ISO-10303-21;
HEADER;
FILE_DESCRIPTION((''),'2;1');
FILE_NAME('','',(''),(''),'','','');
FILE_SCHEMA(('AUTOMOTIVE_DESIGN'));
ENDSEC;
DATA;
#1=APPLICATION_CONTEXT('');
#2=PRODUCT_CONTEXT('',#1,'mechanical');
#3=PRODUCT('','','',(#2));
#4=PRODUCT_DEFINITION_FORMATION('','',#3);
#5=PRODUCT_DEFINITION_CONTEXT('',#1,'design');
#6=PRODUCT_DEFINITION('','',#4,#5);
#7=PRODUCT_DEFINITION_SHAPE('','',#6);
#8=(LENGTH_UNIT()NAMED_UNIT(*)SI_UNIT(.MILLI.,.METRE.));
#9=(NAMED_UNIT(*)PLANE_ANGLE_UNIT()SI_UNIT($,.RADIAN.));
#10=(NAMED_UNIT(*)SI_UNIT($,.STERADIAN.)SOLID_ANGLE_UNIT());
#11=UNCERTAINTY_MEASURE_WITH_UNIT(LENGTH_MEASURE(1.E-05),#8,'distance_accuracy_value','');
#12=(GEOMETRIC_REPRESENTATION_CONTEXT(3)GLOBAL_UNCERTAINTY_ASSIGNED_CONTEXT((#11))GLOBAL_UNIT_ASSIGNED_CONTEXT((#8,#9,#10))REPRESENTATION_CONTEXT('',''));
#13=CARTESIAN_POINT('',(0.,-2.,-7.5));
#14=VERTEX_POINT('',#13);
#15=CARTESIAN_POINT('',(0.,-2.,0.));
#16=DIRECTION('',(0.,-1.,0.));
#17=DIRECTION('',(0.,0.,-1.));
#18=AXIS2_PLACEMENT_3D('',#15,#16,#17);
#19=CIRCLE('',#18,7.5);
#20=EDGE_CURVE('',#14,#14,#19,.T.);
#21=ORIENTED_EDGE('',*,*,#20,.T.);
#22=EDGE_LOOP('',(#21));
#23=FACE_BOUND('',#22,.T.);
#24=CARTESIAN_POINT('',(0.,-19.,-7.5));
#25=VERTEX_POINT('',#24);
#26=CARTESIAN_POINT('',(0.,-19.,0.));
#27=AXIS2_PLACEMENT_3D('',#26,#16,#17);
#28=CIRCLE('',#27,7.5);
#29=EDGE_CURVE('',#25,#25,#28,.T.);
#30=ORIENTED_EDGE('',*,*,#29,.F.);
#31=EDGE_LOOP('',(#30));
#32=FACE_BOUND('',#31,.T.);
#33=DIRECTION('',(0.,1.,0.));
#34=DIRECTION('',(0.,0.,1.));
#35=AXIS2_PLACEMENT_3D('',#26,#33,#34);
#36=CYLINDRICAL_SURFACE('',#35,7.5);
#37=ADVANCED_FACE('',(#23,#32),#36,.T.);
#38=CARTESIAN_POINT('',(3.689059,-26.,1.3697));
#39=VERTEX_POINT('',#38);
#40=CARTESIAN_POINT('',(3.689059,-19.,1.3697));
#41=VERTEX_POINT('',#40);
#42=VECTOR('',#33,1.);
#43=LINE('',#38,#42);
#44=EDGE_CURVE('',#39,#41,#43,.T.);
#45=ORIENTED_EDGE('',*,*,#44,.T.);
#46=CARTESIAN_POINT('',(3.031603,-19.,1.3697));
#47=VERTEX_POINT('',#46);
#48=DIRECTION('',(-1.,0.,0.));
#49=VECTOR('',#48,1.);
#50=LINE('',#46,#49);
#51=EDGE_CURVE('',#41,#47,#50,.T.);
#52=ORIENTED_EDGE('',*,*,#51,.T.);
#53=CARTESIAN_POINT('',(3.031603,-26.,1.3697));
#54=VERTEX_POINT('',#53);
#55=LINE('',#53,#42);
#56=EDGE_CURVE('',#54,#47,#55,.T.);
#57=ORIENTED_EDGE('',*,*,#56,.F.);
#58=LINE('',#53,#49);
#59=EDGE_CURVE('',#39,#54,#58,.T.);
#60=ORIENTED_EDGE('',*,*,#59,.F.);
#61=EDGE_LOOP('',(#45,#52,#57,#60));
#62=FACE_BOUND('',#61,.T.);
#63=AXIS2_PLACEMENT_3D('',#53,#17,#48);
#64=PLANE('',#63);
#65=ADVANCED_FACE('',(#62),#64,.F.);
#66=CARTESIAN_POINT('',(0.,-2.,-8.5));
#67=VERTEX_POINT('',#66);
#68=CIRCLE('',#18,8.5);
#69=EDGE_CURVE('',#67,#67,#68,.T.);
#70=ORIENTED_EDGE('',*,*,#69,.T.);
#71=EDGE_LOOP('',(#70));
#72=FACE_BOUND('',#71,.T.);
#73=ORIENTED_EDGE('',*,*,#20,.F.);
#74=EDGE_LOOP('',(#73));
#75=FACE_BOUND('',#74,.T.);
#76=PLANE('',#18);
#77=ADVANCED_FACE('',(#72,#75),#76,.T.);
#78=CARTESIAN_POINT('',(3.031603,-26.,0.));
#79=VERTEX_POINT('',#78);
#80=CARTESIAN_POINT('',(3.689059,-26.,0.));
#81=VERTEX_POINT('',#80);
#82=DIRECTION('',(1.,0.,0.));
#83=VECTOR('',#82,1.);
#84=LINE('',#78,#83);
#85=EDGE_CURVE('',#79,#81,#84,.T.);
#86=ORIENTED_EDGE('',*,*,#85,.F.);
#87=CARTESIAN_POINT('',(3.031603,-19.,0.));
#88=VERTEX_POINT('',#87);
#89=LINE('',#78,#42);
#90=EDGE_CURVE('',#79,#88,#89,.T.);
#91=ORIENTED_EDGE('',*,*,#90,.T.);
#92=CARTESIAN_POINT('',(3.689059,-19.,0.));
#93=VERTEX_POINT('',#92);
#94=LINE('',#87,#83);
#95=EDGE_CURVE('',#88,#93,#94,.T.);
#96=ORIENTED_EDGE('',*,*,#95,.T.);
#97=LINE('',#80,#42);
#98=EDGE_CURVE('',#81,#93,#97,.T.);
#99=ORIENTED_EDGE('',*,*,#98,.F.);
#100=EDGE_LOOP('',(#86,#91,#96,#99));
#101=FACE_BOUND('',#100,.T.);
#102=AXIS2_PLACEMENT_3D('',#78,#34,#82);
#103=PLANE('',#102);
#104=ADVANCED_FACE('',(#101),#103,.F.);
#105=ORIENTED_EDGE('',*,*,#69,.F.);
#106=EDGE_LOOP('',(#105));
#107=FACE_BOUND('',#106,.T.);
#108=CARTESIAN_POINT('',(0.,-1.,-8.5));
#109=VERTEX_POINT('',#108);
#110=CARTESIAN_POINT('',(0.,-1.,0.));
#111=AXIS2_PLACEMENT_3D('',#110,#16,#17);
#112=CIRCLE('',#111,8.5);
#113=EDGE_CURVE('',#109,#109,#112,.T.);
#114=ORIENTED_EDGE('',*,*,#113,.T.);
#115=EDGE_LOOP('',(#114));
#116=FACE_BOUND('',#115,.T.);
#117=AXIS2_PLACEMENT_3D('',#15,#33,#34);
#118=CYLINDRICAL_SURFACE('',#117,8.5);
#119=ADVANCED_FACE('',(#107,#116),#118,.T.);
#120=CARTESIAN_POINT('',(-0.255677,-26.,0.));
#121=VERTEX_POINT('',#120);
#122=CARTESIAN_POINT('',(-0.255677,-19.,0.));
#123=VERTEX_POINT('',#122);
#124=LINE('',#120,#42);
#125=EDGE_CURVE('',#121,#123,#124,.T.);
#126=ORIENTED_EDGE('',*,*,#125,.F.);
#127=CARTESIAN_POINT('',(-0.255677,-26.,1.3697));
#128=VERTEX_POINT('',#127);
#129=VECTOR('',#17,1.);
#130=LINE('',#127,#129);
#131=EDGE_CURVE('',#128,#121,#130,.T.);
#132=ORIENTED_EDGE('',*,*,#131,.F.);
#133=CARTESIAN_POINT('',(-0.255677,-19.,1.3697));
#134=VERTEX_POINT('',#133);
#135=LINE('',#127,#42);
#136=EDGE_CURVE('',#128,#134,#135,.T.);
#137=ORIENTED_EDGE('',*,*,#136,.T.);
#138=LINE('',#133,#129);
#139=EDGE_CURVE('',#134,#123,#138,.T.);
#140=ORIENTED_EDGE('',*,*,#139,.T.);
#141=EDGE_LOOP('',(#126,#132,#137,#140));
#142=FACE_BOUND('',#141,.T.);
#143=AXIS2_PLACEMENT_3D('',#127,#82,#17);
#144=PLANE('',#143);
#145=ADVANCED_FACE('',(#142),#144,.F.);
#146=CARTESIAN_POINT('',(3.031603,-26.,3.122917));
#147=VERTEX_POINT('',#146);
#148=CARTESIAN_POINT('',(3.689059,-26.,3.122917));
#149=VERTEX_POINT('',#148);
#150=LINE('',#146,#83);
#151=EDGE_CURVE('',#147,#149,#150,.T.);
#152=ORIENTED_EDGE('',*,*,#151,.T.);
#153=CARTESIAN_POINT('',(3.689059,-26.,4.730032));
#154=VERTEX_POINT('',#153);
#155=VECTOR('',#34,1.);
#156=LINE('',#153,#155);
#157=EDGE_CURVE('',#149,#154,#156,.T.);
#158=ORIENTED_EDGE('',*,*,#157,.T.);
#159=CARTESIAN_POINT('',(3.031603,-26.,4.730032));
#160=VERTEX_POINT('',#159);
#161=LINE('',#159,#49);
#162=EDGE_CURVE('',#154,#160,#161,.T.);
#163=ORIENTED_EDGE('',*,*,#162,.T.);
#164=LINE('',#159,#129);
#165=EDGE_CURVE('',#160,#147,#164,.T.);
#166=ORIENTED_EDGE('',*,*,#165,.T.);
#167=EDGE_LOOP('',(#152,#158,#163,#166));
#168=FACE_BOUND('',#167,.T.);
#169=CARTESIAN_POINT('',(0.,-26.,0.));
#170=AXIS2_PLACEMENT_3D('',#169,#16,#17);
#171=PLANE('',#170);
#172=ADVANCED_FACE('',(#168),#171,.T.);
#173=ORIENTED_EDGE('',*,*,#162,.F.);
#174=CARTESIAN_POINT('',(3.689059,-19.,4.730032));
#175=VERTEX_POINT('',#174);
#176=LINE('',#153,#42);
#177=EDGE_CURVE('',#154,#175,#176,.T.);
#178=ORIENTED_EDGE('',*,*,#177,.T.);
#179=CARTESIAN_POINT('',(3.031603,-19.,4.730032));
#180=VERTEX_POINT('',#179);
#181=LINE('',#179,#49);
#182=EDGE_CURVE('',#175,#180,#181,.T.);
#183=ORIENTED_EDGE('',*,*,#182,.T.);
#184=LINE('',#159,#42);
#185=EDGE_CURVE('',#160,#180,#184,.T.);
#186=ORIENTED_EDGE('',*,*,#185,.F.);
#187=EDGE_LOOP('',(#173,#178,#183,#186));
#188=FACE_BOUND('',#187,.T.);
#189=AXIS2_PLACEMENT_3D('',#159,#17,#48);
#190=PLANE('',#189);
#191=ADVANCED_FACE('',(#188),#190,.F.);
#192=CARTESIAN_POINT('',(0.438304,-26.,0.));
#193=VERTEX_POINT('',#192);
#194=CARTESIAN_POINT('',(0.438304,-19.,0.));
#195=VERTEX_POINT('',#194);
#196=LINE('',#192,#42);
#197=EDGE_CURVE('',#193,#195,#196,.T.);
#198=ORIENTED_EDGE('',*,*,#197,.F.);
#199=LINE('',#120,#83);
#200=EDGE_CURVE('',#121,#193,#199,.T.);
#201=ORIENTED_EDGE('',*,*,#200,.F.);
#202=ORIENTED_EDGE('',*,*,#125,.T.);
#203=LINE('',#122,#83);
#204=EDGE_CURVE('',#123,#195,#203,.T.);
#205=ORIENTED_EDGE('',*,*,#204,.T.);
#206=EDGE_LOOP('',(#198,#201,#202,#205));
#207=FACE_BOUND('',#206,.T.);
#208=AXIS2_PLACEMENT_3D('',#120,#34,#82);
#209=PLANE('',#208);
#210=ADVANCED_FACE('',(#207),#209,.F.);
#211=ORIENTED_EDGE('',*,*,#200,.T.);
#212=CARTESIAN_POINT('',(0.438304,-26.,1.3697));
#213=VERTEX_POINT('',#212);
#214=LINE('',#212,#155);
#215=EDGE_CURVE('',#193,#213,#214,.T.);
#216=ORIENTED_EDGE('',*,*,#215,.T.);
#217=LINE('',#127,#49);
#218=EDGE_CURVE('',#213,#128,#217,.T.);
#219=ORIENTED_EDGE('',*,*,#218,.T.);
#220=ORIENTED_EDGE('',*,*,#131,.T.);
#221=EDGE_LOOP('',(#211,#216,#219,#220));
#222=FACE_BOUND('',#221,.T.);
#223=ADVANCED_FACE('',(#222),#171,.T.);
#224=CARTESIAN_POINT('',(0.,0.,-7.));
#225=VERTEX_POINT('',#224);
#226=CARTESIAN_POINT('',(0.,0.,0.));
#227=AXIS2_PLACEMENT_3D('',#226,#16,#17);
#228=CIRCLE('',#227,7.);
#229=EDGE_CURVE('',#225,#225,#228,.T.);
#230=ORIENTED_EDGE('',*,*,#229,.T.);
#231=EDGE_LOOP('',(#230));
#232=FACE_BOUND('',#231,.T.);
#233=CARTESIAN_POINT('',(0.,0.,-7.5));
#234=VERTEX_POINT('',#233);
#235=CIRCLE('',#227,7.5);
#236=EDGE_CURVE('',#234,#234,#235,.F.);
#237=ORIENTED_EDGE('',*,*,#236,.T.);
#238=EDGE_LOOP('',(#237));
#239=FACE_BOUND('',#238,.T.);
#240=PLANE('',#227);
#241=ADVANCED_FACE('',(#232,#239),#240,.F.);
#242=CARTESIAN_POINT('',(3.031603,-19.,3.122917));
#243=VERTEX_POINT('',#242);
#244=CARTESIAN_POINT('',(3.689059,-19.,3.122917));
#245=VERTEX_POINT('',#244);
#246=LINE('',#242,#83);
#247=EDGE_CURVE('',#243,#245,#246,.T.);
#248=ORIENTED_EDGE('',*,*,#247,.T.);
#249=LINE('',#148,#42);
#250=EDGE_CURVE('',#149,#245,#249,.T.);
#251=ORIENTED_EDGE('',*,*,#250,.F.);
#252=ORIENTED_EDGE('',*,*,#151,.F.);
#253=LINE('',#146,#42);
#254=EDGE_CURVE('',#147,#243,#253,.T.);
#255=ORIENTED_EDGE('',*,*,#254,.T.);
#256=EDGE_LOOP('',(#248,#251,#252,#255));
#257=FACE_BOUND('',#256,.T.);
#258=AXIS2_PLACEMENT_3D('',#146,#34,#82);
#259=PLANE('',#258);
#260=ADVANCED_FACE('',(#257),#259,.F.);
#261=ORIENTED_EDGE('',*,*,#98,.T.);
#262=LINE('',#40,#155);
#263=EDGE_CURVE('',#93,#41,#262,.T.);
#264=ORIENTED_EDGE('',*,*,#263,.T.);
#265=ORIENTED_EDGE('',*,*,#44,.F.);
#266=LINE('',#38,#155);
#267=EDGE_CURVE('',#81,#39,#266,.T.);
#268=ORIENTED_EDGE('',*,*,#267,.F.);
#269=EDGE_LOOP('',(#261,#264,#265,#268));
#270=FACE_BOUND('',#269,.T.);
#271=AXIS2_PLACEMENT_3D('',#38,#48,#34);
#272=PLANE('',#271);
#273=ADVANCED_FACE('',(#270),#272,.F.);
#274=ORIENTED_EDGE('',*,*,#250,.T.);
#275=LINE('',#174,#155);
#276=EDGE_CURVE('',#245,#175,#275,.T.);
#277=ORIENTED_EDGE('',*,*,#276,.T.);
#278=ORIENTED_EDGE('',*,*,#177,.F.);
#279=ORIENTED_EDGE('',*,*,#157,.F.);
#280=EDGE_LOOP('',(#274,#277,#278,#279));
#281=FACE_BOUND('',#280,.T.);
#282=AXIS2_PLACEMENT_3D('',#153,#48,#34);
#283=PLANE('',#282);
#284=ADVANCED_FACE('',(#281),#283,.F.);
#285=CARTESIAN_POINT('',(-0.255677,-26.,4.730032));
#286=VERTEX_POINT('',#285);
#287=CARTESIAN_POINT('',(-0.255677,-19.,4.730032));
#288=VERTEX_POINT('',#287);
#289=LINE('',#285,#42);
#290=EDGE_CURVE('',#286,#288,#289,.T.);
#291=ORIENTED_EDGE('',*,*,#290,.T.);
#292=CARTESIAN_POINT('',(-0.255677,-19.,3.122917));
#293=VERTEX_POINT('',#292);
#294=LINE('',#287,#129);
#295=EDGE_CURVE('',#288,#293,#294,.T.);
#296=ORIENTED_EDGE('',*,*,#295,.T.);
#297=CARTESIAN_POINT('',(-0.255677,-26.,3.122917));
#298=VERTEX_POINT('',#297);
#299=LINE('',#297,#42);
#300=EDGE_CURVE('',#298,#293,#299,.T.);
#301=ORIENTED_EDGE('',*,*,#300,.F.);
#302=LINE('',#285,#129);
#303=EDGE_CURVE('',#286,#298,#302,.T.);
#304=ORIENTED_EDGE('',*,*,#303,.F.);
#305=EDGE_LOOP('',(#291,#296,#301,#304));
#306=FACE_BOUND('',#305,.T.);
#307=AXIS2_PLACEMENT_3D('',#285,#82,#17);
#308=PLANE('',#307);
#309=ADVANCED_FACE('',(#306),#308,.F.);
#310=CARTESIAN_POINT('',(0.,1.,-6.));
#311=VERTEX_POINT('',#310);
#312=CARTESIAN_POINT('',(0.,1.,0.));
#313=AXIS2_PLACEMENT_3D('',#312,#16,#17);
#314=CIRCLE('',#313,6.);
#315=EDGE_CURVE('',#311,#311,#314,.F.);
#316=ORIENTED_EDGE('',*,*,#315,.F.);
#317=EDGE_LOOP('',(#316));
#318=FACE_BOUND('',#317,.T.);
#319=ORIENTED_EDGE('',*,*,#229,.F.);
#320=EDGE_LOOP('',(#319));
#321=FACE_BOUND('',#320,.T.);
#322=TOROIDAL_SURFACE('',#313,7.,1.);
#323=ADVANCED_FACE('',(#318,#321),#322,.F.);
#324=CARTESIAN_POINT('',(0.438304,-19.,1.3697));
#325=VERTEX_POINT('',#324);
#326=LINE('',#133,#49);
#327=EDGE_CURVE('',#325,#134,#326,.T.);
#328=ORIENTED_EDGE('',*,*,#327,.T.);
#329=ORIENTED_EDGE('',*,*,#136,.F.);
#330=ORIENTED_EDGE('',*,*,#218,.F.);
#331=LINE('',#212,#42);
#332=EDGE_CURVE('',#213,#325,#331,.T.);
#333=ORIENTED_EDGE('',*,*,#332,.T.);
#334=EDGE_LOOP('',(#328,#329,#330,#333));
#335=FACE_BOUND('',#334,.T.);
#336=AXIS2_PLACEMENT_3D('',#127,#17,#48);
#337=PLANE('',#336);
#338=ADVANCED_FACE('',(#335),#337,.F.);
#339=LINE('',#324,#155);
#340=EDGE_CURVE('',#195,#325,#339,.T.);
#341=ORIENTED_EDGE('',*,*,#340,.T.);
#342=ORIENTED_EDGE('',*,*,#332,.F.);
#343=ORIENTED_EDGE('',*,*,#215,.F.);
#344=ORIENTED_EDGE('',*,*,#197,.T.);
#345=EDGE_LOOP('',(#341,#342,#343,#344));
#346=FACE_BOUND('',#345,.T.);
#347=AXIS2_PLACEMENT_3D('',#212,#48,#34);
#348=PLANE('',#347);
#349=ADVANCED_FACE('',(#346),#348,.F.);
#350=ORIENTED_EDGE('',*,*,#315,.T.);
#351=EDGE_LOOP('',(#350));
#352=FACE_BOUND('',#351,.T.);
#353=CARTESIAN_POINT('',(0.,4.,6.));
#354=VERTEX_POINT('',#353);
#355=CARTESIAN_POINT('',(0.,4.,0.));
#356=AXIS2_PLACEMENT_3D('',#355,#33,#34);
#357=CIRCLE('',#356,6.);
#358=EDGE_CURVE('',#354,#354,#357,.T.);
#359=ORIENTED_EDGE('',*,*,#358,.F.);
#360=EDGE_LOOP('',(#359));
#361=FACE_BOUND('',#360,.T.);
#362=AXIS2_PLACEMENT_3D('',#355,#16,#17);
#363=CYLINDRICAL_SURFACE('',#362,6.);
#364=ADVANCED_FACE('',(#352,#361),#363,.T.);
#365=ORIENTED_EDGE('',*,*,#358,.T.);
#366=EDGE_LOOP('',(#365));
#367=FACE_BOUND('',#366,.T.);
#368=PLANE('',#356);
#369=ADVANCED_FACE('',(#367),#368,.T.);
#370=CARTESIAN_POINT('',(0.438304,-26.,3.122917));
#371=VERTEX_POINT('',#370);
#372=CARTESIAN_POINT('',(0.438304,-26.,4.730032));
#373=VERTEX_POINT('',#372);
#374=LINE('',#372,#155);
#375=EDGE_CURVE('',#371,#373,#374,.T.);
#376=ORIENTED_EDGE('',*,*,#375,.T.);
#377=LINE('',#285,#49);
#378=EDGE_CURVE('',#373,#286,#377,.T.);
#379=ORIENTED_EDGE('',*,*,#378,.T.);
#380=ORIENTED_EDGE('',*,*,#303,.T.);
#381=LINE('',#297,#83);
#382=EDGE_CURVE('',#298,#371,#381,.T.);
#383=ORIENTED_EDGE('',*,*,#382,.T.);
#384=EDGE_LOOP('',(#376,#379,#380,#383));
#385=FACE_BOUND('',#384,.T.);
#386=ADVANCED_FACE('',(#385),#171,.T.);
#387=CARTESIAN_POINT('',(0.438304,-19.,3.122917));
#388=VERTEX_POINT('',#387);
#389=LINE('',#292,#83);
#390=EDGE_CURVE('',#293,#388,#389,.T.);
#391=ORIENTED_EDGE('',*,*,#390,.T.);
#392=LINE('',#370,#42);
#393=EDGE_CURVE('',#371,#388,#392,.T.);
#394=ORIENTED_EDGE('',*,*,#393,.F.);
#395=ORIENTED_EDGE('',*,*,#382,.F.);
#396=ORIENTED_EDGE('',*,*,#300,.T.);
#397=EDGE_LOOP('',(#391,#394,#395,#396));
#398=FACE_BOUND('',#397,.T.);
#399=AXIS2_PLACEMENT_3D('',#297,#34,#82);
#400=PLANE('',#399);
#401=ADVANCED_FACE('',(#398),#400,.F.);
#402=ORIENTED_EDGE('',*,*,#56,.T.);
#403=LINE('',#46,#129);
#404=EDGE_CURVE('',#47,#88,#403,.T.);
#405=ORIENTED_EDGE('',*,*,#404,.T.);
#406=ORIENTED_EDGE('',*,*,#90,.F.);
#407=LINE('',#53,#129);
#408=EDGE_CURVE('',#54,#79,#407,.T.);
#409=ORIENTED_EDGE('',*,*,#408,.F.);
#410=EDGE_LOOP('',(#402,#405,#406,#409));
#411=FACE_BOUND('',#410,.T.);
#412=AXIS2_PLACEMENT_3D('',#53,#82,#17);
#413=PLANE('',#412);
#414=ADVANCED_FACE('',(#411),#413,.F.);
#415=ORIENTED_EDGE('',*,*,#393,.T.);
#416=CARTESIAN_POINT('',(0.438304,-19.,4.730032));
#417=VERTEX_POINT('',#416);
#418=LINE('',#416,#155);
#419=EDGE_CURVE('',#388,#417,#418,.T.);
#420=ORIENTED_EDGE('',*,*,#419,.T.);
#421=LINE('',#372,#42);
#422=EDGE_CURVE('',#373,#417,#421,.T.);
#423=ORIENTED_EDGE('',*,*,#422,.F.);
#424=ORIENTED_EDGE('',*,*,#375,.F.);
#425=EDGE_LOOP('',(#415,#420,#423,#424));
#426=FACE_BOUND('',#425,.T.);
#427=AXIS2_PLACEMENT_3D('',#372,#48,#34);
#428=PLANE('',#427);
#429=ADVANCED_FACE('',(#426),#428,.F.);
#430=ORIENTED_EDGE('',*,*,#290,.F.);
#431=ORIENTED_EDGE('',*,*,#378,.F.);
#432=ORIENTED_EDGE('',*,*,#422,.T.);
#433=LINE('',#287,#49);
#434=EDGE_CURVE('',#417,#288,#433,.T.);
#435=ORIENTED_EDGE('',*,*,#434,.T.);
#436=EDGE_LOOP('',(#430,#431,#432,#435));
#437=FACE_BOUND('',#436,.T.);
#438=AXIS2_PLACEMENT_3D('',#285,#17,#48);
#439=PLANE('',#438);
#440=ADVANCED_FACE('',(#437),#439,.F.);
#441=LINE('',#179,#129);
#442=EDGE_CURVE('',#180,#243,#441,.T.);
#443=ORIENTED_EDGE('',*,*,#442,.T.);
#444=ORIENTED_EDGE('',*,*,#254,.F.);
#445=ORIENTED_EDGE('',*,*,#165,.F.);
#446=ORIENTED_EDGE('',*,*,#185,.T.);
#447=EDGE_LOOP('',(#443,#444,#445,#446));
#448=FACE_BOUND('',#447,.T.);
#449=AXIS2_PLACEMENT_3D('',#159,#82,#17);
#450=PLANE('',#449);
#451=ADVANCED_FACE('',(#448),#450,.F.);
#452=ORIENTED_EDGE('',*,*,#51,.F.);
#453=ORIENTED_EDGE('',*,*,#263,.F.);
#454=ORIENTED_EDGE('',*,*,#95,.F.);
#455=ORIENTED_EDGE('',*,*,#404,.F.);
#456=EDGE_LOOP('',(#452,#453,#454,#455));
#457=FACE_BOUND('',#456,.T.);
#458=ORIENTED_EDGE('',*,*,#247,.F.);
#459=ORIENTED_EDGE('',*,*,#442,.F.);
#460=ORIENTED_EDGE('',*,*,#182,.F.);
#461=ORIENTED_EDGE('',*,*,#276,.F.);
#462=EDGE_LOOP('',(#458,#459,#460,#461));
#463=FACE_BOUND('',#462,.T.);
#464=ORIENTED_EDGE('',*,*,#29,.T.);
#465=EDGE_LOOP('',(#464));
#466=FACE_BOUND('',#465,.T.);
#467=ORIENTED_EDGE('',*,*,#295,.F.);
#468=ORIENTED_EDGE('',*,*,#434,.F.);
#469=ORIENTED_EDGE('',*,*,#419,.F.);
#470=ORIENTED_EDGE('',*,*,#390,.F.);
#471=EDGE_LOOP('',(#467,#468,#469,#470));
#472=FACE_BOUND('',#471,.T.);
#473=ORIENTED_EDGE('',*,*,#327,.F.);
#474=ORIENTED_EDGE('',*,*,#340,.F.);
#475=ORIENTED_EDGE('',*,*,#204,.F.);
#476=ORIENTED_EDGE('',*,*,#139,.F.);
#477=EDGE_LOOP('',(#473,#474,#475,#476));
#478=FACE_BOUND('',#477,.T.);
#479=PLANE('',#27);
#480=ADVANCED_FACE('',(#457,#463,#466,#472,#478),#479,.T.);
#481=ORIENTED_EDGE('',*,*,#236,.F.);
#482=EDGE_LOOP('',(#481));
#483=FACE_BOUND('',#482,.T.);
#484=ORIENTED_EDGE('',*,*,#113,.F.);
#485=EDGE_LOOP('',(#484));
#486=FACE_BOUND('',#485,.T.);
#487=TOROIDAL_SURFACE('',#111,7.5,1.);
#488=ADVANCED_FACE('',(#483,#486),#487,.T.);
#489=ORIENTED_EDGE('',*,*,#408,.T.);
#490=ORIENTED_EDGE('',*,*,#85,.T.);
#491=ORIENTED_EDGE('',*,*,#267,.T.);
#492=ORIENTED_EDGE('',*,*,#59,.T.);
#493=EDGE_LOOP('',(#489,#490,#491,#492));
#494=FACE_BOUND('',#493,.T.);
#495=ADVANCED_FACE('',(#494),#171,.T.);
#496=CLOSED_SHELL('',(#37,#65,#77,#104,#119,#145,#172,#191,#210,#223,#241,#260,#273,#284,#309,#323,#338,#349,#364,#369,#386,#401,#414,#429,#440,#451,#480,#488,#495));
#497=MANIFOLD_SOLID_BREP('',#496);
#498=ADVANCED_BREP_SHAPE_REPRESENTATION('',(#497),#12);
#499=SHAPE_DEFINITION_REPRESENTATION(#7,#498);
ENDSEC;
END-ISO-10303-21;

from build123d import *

# Parameters (mm, degrees)
IZIM1_R                     = 6
Y_KSEKLIK_EKSTR_ZYON1_DEPTH = 4
IZIM2_R                     = 8.5
Y_KSEKLIK_EKSTR_ZYON2_DEPTH = 2
RADYUS1_R                   = 1
IZIM3_R                     = 7.5
Y_KSEKLIK_EKSTR_ZYON3_DEPTH = 17
IZIM4_W                     = 0.657456129
IZIM4_H                     = 1.607114982
IZIM4_W_2                   = 0.693981469
IZIM4_H_2                   = 1.369700268
Y_KSEKLIK_EKSTR_ZYON4_DEPTH = 7


with BuildPart() as part:
    # Çizim1 → Yükseklik-Ekstrüzyon1 (new body)
    with BuildSketch(Plane(origin=(0, 0, 0), x_dir=(1, 0, 0), z_dir=(0, 1, 0))):
        Circle(IZIM1_R)
    extrude(amount=Y_KSEKLIK_EKSTR_ZYON1_DEPTH)

    # Çizim2 → Yükseklik-Ekstrüzyon2 (add)
    with BuildSketch(Plane.XZ):
        Circle(IZIM2_R)
    extrude(amount=Y_KSEKLIK_EKSTR_ZYON2_DEPTH)

    # Radyus1
    radyus1_edges = [part.edges().sort_by_distance(p)[0] for p in [
        (-8.5, 0, 0),
        (-6, 0, 0),
    ]]
    fillet(radyus1_edges, radius=RADYUS1_R)

    # Çizim3 → Yükseklik-Ekstrüzyon3 (add)
    with BuildSketch(Plane.XZ.offset(2)):
        Circle(IZIM3_R)
    extrude(amount=Y_KSEKLIK_EKSTR_ZYON3_DEPTH)

    # Çizim4 → Yükseklik-Ekstrüzyon4 (add)
    with BuildSketch(Plane.XZ.offset(19)):
        with Locations((3.360331326, 3.926474103)):
            Rectangle(IZIM4_W, IZIM4_H)
        with Locations((0.091313352, 3.926474103)):
            Rectangle(IZIM4_W_2, IZIM4_H)
        with Locations((3.360331326, 0.684850134)):
            Rectangle(IZIM4_W, IZIM4_H_2)
        with Locations((0.091313352, 0.684850134)):
            Rectangle(IZIM4_W_2, IZIM4_H_2)
    extrude(amount=Y_KSEKLIK_EKSTR_ZYON4_DEPTH)


solid = part.part
